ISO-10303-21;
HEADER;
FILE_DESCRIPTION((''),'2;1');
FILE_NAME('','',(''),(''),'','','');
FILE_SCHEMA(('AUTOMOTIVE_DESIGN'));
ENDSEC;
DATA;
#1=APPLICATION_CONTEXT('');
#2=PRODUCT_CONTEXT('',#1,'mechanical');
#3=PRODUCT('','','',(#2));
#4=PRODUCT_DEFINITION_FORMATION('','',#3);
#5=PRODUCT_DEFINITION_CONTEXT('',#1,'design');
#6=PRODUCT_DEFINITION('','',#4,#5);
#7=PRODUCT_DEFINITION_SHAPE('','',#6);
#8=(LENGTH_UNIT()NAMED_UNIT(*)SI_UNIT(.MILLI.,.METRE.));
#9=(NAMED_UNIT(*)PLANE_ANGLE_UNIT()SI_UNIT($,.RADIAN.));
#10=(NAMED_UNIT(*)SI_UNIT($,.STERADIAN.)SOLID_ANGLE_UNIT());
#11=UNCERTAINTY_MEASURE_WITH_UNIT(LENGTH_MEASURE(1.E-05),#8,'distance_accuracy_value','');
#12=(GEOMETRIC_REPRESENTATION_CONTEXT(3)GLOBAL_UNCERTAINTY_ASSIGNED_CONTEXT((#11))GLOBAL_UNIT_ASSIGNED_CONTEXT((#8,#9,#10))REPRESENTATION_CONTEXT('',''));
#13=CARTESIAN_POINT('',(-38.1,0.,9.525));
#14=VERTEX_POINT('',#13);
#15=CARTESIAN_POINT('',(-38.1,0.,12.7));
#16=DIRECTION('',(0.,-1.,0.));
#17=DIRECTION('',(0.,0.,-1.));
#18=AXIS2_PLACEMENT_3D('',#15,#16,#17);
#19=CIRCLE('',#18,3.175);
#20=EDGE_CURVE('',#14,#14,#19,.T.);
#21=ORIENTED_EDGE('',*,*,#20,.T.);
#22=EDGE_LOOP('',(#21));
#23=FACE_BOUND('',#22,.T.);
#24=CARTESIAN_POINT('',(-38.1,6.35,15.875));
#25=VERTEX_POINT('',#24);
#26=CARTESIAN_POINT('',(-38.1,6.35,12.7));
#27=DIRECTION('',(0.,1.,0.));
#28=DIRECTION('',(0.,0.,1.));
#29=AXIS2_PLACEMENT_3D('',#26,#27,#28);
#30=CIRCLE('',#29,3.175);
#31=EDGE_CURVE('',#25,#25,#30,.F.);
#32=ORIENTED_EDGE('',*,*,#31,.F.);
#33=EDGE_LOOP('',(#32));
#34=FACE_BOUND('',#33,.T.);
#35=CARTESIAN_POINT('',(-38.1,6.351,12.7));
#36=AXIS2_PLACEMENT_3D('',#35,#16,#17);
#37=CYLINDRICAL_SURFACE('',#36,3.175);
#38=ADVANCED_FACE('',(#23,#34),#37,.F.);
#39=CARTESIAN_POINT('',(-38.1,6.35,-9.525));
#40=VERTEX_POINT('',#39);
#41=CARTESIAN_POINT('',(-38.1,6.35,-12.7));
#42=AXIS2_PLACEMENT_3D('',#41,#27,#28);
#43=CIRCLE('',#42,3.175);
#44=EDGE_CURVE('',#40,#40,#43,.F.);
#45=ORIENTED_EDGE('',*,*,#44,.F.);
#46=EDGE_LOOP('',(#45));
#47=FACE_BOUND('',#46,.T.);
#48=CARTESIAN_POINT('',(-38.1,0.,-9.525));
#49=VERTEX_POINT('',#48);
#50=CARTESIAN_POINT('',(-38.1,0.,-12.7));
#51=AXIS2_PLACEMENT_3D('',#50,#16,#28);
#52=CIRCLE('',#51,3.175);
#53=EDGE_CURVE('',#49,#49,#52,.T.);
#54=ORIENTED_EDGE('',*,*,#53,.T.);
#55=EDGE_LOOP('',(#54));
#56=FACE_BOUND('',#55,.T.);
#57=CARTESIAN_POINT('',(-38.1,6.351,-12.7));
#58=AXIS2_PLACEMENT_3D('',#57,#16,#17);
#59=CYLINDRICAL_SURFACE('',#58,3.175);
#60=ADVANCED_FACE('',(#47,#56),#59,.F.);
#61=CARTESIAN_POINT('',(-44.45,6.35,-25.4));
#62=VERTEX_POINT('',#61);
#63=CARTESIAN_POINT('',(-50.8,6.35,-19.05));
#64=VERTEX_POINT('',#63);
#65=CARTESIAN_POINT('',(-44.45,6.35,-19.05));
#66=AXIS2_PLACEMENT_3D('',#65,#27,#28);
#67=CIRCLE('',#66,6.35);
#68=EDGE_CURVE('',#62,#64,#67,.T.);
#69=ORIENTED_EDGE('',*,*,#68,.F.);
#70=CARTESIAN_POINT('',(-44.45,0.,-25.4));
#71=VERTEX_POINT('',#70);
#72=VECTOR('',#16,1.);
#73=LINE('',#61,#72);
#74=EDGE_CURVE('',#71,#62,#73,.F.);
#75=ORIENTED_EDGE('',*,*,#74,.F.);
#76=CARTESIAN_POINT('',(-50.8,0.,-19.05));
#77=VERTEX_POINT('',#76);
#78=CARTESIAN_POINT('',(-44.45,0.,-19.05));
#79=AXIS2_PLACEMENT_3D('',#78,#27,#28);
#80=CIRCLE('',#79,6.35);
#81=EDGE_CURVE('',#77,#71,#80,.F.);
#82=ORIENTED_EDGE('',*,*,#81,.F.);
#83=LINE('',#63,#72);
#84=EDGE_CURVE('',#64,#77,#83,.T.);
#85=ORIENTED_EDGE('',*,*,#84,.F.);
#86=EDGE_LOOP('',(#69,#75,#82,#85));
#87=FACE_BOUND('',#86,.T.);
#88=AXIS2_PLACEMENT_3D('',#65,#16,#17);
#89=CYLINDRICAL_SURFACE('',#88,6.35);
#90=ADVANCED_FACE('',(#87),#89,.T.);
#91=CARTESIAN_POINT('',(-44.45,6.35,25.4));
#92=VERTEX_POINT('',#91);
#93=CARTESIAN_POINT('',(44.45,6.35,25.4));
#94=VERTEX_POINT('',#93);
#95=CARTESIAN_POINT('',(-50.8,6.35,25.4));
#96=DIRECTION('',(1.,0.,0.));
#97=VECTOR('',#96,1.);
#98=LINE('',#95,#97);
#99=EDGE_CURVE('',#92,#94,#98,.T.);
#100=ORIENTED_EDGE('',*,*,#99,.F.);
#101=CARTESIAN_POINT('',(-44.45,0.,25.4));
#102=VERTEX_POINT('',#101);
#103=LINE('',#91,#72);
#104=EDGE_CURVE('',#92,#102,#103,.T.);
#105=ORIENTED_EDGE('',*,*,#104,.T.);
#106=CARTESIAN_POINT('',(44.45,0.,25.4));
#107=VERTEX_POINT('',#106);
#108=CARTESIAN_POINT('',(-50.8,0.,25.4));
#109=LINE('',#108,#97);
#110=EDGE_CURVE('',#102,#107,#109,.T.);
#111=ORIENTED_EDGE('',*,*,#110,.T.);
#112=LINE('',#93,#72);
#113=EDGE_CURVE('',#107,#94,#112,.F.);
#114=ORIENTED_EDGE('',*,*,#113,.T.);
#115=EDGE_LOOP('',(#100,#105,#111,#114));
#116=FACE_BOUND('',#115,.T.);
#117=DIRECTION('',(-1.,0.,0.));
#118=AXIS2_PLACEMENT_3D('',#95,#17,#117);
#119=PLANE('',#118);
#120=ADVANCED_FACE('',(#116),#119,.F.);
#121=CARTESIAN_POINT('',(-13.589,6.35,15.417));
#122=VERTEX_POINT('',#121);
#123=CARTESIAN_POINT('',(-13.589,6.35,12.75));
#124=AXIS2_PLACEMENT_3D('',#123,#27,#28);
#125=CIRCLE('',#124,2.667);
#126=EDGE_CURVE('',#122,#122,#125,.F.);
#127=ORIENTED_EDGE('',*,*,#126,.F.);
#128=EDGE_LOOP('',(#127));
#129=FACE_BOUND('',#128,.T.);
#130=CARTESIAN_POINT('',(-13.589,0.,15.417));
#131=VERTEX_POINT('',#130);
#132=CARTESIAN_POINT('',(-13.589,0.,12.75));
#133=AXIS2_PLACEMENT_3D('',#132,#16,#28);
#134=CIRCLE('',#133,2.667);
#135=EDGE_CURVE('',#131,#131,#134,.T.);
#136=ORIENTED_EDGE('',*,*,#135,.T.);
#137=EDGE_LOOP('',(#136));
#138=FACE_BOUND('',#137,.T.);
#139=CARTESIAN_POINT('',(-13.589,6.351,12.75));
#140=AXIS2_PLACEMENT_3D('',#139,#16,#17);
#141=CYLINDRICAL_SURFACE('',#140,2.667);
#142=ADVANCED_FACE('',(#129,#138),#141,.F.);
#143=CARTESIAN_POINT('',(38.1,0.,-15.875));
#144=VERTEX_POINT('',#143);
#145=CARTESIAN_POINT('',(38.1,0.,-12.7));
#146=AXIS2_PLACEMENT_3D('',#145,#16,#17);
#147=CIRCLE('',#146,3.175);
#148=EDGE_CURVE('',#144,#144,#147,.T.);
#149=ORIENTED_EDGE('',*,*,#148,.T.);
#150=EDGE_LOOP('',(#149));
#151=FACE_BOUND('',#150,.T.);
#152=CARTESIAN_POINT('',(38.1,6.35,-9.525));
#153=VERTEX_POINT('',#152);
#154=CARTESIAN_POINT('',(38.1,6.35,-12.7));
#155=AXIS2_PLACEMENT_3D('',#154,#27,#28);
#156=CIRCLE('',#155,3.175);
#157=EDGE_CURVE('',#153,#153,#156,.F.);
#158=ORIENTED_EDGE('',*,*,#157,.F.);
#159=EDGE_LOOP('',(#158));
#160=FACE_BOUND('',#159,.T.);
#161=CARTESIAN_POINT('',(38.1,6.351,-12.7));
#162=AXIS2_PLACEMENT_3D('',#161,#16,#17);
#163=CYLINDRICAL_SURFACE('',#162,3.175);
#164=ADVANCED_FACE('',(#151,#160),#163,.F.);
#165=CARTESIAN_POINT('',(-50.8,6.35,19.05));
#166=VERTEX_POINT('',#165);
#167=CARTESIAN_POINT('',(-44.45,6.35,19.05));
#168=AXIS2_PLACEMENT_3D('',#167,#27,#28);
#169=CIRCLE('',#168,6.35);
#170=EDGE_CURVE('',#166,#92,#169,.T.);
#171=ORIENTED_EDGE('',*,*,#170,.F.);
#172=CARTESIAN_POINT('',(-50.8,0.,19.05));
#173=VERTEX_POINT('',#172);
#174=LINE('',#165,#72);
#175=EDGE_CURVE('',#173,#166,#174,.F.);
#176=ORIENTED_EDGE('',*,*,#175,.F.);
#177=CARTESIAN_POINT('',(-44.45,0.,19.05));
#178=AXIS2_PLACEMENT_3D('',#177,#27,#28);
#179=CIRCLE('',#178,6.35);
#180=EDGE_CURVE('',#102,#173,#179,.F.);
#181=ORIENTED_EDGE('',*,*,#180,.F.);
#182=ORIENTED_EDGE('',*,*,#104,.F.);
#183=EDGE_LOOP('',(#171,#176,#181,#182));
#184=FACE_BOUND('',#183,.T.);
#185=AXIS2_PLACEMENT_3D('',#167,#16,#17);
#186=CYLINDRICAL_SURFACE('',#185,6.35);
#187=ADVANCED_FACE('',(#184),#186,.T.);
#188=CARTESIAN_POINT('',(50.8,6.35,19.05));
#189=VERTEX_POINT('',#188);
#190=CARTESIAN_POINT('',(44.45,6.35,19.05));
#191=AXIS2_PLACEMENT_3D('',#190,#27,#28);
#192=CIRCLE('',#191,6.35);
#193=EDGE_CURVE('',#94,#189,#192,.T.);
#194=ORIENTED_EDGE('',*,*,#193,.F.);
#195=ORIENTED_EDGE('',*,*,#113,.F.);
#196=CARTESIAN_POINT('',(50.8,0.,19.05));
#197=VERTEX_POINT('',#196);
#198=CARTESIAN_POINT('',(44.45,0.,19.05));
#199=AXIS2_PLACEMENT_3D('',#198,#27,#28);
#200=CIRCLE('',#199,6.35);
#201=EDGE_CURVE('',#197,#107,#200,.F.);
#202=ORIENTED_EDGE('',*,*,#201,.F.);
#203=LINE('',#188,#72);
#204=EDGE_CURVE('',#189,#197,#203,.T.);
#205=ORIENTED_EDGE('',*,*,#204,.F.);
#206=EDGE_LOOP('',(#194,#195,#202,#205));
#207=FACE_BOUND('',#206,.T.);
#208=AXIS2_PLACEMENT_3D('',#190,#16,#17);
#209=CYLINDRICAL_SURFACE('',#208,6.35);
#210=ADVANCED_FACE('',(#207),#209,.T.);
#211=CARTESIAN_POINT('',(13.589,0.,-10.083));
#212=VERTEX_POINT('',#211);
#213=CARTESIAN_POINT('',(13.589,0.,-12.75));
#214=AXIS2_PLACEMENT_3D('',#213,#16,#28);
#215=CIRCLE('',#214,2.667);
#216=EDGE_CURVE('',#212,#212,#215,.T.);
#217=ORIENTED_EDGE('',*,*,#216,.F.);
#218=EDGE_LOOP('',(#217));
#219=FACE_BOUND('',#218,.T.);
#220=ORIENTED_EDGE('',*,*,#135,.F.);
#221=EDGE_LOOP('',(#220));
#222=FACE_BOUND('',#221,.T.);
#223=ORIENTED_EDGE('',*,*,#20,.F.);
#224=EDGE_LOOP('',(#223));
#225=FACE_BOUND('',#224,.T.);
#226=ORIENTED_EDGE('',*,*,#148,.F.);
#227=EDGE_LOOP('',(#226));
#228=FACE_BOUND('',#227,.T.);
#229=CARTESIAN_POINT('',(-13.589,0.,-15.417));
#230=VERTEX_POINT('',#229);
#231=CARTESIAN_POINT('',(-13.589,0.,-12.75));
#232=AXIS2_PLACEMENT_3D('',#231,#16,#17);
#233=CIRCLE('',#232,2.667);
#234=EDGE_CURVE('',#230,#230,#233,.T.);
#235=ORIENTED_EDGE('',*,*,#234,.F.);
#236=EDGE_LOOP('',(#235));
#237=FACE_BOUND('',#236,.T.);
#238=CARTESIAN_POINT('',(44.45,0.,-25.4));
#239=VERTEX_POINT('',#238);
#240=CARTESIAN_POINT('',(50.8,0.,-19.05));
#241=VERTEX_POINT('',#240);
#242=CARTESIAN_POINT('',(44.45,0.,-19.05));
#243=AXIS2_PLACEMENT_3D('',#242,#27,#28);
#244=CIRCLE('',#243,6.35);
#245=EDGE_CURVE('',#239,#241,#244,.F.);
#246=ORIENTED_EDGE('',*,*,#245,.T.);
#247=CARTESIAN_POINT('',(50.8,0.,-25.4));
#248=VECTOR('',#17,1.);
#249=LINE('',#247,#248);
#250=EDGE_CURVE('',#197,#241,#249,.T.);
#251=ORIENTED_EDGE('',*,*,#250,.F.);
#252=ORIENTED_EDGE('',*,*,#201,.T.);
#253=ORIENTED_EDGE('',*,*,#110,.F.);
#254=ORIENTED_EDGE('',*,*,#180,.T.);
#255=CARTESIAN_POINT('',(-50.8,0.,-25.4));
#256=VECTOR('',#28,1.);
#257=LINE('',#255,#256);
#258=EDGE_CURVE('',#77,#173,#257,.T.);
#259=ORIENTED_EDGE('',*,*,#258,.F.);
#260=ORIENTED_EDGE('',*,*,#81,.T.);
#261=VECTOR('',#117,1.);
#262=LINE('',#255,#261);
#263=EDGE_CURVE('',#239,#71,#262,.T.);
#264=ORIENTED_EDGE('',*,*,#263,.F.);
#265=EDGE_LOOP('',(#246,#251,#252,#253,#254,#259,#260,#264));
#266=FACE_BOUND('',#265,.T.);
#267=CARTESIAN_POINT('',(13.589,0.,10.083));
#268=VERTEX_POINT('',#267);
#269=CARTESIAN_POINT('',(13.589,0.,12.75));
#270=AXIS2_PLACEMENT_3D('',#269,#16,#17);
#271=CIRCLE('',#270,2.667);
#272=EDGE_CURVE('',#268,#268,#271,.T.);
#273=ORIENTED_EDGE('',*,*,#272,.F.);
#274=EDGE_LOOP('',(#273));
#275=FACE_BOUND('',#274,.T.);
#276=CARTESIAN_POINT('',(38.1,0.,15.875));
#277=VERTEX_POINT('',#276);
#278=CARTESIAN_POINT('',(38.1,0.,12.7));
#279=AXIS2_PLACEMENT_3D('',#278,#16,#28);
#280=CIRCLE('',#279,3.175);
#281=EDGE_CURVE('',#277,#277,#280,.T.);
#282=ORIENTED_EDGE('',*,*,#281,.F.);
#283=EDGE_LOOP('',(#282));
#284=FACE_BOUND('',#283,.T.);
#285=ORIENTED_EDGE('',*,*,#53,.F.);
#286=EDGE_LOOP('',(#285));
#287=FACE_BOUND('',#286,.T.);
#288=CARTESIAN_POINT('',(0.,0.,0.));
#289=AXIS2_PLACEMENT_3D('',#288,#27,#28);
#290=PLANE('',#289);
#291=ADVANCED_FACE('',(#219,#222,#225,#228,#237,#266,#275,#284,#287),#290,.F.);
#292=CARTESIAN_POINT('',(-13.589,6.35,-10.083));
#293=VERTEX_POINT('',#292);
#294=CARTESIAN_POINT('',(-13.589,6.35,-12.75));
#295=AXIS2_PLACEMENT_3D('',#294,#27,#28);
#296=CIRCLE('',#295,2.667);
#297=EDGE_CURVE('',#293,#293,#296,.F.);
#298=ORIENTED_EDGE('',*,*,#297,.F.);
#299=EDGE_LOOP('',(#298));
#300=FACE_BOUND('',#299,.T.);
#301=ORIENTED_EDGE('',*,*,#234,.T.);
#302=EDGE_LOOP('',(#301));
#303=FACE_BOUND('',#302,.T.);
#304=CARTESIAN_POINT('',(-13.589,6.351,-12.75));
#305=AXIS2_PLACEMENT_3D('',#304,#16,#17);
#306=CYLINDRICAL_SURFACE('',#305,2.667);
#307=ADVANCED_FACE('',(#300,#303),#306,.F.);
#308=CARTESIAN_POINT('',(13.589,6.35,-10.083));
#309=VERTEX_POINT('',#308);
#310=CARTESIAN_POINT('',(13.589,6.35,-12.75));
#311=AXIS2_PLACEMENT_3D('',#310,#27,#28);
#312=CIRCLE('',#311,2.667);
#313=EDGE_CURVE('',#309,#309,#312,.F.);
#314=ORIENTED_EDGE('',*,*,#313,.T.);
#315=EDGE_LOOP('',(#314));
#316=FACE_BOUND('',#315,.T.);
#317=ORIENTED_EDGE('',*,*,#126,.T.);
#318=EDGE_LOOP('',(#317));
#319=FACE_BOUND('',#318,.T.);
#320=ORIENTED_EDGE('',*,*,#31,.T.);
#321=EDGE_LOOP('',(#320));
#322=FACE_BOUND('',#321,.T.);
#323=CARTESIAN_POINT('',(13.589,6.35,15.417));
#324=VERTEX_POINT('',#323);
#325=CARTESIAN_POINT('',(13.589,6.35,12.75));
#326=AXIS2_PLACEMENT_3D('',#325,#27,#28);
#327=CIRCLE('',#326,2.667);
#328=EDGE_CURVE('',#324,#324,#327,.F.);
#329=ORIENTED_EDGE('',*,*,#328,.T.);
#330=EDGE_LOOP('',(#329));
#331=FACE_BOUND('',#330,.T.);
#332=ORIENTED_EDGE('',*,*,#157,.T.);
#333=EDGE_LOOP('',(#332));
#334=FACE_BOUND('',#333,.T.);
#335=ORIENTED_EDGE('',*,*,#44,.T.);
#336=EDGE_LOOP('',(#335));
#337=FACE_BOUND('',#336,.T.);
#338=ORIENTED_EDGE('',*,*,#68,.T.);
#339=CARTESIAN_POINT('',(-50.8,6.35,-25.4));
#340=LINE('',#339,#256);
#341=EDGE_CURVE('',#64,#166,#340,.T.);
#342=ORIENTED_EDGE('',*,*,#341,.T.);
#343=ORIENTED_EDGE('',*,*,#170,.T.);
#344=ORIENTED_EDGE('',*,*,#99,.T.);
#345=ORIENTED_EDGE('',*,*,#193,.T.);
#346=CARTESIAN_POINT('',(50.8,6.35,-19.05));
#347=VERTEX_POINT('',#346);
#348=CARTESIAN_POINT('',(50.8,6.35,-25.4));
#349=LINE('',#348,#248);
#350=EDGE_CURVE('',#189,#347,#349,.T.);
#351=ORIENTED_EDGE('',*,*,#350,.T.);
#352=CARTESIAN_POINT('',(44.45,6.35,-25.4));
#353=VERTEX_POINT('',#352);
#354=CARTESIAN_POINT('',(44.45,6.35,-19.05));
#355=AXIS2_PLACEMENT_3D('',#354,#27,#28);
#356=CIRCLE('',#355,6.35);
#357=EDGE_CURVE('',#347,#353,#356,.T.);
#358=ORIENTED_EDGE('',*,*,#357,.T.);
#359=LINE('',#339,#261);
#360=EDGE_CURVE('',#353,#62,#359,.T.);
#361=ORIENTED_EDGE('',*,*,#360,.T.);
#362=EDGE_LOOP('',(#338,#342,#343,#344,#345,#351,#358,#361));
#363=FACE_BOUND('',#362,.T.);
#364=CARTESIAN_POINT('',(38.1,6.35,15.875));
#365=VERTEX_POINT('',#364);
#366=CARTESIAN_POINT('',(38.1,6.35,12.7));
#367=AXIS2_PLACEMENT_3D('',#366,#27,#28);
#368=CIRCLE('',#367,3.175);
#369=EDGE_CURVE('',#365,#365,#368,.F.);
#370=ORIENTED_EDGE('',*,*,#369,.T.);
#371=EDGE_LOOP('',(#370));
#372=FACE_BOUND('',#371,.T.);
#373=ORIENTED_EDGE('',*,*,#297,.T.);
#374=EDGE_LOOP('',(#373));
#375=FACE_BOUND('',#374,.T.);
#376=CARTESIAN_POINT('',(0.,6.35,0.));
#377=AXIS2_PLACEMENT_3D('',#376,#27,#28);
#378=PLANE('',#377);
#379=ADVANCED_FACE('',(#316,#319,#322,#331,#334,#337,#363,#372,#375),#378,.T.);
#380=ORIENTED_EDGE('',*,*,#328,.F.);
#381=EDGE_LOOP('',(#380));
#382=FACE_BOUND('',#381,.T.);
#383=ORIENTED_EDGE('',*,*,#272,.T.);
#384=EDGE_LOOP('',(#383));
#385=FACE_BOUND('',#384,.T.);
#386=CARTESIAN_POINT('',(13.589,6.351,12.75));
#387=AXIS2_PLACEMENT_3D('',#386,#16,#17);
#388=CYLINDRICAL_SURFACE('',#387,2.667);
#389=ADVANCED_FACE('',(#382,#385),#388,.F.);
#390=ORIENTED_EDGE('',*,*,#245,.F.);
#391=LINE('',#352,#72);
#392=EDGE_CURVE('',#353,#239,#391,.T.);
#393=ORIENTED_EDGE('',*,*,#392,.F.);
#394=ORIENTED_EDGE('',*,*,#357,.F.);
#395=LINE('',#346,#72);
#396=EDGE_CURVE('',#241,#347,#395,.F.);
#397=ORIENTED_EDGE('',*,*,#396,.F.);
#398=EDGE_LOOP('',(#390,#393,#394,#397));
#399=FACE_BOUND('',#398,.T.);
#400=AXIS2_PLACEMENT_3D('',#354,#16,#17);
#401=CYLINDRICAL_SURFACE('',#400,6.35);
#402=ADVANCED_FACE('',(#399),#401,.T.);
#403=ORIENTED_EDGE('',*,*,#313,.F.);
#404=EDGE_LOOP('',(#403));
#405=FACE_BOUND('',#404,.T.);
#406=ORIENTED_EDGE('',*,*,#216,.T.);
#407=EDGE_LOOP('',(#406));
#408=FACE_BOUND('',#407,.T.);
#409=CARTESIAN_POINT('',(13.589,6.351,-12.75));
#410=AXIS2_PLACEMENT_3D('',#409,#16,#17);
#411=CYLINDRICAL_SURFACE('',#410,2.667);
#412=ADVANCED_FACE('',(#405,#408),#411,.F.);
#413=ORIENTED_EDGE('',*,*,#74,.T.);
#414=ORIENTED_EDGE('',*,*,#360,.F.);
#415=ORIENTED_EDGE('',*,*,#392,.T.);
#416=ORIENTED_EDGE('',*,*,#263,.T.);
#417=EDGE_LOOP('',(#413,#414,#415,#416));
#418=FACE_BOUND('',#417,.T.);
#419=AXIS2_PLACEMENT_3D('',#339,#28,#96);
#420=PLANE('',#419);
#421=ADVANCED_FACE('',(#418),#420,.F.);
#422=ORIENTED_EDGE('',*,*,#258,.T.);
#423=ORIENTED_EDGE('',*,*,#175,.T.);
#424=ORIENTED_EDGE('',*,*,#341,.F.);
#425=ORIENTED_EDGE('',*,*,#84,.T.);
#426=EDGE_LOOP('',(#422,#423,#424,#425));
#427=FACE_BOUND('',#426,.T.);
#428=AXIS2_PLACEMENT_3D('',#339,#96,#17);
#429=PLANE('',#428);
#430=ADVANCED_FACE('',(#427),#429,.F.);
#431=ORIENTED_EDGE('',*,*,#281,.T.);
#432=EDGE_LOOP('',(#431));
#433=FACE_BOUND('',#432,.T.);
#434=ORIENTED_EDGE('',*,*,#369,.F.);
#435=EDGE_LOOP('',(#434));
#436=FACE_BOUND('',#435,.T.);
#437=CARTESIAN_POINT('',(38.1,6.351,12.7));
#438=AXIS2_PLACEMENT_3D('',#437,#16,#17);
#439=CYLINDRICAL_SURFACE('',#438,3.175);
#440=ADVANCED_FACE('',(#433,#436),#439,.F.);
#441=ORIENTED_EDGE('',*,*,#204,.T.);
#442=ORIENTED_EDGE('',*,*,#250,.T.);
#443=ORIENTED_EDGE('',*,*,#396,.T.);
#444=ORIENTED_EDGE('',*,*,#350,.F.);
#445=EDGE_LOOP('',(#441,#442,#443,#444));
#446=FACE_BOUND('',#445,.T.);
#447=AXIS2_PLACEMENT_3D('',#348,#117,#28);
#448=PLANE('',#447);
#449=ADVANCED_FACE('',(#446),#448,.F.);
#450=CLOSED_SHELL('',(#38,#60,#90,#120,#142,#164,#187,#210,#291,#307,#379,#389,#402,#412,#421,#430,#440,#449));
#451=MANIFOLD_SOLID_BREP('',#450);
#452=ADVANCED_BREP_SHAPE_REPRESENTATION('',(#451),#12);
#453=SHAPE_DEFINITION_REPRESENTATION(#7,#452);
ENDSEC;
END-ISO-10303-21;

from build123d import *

# Parameters (mm, degrees)
SKETCH1_W           = 101.6
SKETCH1_H           = 50.8
BOSS_EXTRUDE1_DEPTH = 6.35
CUT_EXTRUDE2_REACH  = 59.15
SKETCH3_R           = 3.175
SKETCH3_R_2         = 2.667
FILLET1_R           = 6.35


with BuildPart() as part:
    # Sketch1 → Boss-Extrude1 (new body)
    with BuildSketch(Plane(origin=(0, 0, 0), x_dir=(1, 0, 0), z_dir=(0, 1, 0))):
        Rectangle(SKETCH1_W, SKETCH1_H)
    extrude(amount=BOSS_EXTRUDE1_DEPTH)

    # Sketch3 → Cut-Extrude2 (cut, up to next)
    with BuildSketch(Plane.XZ, mode=Mode.PRIVATE) as cut_extrude2_sk1:
        with Locations(Location((-38.1, 12.7, 0), (0, 0, 270))):
            Circle(SKETCH3_R)
    cut_extrude2_tool1 = extrude(cut_extrude2_sk1.sketch, amount=-CUT_EXTRUDE2_REACH, mode=Mode.PRIVATE) & part.part
    # Sketch3 → Cut-Extrude2 (cut, up to next)
    with BuildSketch(Plane.XZ, mode=Mode.PRIVATE) as cut_extrude2_sk2:
        with Locations(Location((-38.1, -12.7, 0), (0, 0, 90))):
            Circle(SKETCH3_R)
    cut_extrude2_tool2 = extrude(cut_extrude2_sk2.sketch, amount=-CUT_EXTRUDE2_REACH, mode=Mode.PRIVATE) & part.part
    # Sketch3 → Cut-Extrude2 (cut, up to next)
    with BuildSketch(Plane.XZ, mode=Mode.PRIVATE) as cut_extrude2_sk3:
        with Locations(Location((38.1, 12.7, 0), (0, 0, 90))):
            Circle(SKETCH3_R)
    cut_extrude2_tool3 = extrude(cut_extrude2_sk3.sketch, amount=-CUT_EXTRUDE2_REACH, mode=Mode.PRIVATE) & part.part
    # Sketch3 → Cut-Extrude2 (cut, up to next)
    with BuildSketch(Plane.XZ, mode=Mode.PRIVATE) as cut_extrude2_sk4:
        with Locations(Location((38.1, -12.7, 0), (0, 0, 270))):
            Circle(SKETCH3_R)
    cut_extrude2_tool4 = extrude(cut_extrude2_sk4.sketch, amount=-CUT_EXTRUDE2_REACH, mode=Mode.PRIVATE) & part.part
    # Sketch3 → Cut-Extrude2 (cut, up to next)
    with BuildSketch(Plane.XZ, mode=Mode.PRIVATE) as cut_extrude2_sk5:
        with Locations(Location((13.589, -12.75, 0), (0, 0, 90))):
            Circle(SKETCH3_R_2)
    cut_extrude2_tool5 = extrude(cut_extrude2_sk5.sketch, amount=-CUT_EXTRUDE2_REACH, mode=Mode.PRIVATE) & part.part
    # Sketch3 → Cut-Extrude2 (cut, up to next)
    with BuildSketch(Plane.XZ, mode=Mode.PRIVATE) as cut_extrude2_sk6:
        with Locations(Location((-13.589, -12.75, 0), (0, 0, 270))):
            Circle(SKETCH3_R_2)
    cut_extrude2_tool6 = extrude(cut_extrude2_sk6.sketch, amount=-CUT_EXTRUDE2_REACH, mode=Mode.PRIVATE) & part.part
    # Sketch3 → Cut-Extrude2 (cut, up to next)
    with BuildSketch(Plane.XZ, mode=Mode.PRIVATE) as cut_extrude2_sk7:
        with Locations(Location((13.589, 12.75, 0), (0, 0, 270))):
            Circle(SKETCH3_R_2)
    cut_extrude2_tool7 = extrude(cut_extrude2_sk7.sketch, amount=-CUT_EXTRUDE2_REACH, mode=Mode.PRIVATE) & part.part
    # Sketch3 → Cut-Extrude2 (cut, up to next)
    with BuildSketch(Plane.XZ, mode=Mode.PRIVATE) as cut_extrude2_sk8:
        with Locations(Location((-13.589, 12.75, 0), (0, 0, 90))):
            Circle(SKETCH3_R_2)
    cut_extrude2_tool8 = extrude(cut_extrude2_sk8.sketch, amount=-CUT_EXTRUDE2_REACH, mode=Mode.PRIVATE) & part.part
    add(cut_extrude2_tool1.solids().sort_by_distance((-38.1, 0, 12.7))[0], mode=Mode.SUBTRACT)
    add(cut_extrude2_tool2.solids().sort_by_distance((-38.1, 0, -12.7))[0], mode=Mode.SUBTRACT)
    add(cut_extrude2_tool3.solids().sort_by_distance((38.1, 0, 12.7))[0], mode=Mode.SUBTRACT)
    add(cut_extrude2_tool4.solids().sort_by_distance((38.1, 0, -12.7))[0], mode=Mode.SUBTRACT)
    add(cut_extrude2_tool5.solids().sort_by_distance((13.589, 0, -12.75))[0], mode=Mode.SUBTRACT)
    add(cut_extrude2_tool6.solids().sort_by_distance((-13.589, 0, -12.75))[0], mode=Mode.SUBTRACT)
    add(cut_extrude2_tool7.solids().sort_by_distance((13.589, 0, 12.75))[0], mode=Mode.SUBTRACT)
    add(cut_extrude2_tool8.solids().sort_by_distance((-13.589, 0, 12.75))[0], mode=Mode.SUBTRACT)

    # Fillet1
    fillet1_edges = [part.edges().sort_by_distance(p)[0] for p in [
        (50.8, 3.175, 25.4),
        (-50.8, 3.175, 25.4),
        (-50.8, 3.175, -25.4),
        (50.8, 3.175, -25.4),
    ]]
    fillet(fillet1_edges, radius=FILLET1_R)


solid = part.part
